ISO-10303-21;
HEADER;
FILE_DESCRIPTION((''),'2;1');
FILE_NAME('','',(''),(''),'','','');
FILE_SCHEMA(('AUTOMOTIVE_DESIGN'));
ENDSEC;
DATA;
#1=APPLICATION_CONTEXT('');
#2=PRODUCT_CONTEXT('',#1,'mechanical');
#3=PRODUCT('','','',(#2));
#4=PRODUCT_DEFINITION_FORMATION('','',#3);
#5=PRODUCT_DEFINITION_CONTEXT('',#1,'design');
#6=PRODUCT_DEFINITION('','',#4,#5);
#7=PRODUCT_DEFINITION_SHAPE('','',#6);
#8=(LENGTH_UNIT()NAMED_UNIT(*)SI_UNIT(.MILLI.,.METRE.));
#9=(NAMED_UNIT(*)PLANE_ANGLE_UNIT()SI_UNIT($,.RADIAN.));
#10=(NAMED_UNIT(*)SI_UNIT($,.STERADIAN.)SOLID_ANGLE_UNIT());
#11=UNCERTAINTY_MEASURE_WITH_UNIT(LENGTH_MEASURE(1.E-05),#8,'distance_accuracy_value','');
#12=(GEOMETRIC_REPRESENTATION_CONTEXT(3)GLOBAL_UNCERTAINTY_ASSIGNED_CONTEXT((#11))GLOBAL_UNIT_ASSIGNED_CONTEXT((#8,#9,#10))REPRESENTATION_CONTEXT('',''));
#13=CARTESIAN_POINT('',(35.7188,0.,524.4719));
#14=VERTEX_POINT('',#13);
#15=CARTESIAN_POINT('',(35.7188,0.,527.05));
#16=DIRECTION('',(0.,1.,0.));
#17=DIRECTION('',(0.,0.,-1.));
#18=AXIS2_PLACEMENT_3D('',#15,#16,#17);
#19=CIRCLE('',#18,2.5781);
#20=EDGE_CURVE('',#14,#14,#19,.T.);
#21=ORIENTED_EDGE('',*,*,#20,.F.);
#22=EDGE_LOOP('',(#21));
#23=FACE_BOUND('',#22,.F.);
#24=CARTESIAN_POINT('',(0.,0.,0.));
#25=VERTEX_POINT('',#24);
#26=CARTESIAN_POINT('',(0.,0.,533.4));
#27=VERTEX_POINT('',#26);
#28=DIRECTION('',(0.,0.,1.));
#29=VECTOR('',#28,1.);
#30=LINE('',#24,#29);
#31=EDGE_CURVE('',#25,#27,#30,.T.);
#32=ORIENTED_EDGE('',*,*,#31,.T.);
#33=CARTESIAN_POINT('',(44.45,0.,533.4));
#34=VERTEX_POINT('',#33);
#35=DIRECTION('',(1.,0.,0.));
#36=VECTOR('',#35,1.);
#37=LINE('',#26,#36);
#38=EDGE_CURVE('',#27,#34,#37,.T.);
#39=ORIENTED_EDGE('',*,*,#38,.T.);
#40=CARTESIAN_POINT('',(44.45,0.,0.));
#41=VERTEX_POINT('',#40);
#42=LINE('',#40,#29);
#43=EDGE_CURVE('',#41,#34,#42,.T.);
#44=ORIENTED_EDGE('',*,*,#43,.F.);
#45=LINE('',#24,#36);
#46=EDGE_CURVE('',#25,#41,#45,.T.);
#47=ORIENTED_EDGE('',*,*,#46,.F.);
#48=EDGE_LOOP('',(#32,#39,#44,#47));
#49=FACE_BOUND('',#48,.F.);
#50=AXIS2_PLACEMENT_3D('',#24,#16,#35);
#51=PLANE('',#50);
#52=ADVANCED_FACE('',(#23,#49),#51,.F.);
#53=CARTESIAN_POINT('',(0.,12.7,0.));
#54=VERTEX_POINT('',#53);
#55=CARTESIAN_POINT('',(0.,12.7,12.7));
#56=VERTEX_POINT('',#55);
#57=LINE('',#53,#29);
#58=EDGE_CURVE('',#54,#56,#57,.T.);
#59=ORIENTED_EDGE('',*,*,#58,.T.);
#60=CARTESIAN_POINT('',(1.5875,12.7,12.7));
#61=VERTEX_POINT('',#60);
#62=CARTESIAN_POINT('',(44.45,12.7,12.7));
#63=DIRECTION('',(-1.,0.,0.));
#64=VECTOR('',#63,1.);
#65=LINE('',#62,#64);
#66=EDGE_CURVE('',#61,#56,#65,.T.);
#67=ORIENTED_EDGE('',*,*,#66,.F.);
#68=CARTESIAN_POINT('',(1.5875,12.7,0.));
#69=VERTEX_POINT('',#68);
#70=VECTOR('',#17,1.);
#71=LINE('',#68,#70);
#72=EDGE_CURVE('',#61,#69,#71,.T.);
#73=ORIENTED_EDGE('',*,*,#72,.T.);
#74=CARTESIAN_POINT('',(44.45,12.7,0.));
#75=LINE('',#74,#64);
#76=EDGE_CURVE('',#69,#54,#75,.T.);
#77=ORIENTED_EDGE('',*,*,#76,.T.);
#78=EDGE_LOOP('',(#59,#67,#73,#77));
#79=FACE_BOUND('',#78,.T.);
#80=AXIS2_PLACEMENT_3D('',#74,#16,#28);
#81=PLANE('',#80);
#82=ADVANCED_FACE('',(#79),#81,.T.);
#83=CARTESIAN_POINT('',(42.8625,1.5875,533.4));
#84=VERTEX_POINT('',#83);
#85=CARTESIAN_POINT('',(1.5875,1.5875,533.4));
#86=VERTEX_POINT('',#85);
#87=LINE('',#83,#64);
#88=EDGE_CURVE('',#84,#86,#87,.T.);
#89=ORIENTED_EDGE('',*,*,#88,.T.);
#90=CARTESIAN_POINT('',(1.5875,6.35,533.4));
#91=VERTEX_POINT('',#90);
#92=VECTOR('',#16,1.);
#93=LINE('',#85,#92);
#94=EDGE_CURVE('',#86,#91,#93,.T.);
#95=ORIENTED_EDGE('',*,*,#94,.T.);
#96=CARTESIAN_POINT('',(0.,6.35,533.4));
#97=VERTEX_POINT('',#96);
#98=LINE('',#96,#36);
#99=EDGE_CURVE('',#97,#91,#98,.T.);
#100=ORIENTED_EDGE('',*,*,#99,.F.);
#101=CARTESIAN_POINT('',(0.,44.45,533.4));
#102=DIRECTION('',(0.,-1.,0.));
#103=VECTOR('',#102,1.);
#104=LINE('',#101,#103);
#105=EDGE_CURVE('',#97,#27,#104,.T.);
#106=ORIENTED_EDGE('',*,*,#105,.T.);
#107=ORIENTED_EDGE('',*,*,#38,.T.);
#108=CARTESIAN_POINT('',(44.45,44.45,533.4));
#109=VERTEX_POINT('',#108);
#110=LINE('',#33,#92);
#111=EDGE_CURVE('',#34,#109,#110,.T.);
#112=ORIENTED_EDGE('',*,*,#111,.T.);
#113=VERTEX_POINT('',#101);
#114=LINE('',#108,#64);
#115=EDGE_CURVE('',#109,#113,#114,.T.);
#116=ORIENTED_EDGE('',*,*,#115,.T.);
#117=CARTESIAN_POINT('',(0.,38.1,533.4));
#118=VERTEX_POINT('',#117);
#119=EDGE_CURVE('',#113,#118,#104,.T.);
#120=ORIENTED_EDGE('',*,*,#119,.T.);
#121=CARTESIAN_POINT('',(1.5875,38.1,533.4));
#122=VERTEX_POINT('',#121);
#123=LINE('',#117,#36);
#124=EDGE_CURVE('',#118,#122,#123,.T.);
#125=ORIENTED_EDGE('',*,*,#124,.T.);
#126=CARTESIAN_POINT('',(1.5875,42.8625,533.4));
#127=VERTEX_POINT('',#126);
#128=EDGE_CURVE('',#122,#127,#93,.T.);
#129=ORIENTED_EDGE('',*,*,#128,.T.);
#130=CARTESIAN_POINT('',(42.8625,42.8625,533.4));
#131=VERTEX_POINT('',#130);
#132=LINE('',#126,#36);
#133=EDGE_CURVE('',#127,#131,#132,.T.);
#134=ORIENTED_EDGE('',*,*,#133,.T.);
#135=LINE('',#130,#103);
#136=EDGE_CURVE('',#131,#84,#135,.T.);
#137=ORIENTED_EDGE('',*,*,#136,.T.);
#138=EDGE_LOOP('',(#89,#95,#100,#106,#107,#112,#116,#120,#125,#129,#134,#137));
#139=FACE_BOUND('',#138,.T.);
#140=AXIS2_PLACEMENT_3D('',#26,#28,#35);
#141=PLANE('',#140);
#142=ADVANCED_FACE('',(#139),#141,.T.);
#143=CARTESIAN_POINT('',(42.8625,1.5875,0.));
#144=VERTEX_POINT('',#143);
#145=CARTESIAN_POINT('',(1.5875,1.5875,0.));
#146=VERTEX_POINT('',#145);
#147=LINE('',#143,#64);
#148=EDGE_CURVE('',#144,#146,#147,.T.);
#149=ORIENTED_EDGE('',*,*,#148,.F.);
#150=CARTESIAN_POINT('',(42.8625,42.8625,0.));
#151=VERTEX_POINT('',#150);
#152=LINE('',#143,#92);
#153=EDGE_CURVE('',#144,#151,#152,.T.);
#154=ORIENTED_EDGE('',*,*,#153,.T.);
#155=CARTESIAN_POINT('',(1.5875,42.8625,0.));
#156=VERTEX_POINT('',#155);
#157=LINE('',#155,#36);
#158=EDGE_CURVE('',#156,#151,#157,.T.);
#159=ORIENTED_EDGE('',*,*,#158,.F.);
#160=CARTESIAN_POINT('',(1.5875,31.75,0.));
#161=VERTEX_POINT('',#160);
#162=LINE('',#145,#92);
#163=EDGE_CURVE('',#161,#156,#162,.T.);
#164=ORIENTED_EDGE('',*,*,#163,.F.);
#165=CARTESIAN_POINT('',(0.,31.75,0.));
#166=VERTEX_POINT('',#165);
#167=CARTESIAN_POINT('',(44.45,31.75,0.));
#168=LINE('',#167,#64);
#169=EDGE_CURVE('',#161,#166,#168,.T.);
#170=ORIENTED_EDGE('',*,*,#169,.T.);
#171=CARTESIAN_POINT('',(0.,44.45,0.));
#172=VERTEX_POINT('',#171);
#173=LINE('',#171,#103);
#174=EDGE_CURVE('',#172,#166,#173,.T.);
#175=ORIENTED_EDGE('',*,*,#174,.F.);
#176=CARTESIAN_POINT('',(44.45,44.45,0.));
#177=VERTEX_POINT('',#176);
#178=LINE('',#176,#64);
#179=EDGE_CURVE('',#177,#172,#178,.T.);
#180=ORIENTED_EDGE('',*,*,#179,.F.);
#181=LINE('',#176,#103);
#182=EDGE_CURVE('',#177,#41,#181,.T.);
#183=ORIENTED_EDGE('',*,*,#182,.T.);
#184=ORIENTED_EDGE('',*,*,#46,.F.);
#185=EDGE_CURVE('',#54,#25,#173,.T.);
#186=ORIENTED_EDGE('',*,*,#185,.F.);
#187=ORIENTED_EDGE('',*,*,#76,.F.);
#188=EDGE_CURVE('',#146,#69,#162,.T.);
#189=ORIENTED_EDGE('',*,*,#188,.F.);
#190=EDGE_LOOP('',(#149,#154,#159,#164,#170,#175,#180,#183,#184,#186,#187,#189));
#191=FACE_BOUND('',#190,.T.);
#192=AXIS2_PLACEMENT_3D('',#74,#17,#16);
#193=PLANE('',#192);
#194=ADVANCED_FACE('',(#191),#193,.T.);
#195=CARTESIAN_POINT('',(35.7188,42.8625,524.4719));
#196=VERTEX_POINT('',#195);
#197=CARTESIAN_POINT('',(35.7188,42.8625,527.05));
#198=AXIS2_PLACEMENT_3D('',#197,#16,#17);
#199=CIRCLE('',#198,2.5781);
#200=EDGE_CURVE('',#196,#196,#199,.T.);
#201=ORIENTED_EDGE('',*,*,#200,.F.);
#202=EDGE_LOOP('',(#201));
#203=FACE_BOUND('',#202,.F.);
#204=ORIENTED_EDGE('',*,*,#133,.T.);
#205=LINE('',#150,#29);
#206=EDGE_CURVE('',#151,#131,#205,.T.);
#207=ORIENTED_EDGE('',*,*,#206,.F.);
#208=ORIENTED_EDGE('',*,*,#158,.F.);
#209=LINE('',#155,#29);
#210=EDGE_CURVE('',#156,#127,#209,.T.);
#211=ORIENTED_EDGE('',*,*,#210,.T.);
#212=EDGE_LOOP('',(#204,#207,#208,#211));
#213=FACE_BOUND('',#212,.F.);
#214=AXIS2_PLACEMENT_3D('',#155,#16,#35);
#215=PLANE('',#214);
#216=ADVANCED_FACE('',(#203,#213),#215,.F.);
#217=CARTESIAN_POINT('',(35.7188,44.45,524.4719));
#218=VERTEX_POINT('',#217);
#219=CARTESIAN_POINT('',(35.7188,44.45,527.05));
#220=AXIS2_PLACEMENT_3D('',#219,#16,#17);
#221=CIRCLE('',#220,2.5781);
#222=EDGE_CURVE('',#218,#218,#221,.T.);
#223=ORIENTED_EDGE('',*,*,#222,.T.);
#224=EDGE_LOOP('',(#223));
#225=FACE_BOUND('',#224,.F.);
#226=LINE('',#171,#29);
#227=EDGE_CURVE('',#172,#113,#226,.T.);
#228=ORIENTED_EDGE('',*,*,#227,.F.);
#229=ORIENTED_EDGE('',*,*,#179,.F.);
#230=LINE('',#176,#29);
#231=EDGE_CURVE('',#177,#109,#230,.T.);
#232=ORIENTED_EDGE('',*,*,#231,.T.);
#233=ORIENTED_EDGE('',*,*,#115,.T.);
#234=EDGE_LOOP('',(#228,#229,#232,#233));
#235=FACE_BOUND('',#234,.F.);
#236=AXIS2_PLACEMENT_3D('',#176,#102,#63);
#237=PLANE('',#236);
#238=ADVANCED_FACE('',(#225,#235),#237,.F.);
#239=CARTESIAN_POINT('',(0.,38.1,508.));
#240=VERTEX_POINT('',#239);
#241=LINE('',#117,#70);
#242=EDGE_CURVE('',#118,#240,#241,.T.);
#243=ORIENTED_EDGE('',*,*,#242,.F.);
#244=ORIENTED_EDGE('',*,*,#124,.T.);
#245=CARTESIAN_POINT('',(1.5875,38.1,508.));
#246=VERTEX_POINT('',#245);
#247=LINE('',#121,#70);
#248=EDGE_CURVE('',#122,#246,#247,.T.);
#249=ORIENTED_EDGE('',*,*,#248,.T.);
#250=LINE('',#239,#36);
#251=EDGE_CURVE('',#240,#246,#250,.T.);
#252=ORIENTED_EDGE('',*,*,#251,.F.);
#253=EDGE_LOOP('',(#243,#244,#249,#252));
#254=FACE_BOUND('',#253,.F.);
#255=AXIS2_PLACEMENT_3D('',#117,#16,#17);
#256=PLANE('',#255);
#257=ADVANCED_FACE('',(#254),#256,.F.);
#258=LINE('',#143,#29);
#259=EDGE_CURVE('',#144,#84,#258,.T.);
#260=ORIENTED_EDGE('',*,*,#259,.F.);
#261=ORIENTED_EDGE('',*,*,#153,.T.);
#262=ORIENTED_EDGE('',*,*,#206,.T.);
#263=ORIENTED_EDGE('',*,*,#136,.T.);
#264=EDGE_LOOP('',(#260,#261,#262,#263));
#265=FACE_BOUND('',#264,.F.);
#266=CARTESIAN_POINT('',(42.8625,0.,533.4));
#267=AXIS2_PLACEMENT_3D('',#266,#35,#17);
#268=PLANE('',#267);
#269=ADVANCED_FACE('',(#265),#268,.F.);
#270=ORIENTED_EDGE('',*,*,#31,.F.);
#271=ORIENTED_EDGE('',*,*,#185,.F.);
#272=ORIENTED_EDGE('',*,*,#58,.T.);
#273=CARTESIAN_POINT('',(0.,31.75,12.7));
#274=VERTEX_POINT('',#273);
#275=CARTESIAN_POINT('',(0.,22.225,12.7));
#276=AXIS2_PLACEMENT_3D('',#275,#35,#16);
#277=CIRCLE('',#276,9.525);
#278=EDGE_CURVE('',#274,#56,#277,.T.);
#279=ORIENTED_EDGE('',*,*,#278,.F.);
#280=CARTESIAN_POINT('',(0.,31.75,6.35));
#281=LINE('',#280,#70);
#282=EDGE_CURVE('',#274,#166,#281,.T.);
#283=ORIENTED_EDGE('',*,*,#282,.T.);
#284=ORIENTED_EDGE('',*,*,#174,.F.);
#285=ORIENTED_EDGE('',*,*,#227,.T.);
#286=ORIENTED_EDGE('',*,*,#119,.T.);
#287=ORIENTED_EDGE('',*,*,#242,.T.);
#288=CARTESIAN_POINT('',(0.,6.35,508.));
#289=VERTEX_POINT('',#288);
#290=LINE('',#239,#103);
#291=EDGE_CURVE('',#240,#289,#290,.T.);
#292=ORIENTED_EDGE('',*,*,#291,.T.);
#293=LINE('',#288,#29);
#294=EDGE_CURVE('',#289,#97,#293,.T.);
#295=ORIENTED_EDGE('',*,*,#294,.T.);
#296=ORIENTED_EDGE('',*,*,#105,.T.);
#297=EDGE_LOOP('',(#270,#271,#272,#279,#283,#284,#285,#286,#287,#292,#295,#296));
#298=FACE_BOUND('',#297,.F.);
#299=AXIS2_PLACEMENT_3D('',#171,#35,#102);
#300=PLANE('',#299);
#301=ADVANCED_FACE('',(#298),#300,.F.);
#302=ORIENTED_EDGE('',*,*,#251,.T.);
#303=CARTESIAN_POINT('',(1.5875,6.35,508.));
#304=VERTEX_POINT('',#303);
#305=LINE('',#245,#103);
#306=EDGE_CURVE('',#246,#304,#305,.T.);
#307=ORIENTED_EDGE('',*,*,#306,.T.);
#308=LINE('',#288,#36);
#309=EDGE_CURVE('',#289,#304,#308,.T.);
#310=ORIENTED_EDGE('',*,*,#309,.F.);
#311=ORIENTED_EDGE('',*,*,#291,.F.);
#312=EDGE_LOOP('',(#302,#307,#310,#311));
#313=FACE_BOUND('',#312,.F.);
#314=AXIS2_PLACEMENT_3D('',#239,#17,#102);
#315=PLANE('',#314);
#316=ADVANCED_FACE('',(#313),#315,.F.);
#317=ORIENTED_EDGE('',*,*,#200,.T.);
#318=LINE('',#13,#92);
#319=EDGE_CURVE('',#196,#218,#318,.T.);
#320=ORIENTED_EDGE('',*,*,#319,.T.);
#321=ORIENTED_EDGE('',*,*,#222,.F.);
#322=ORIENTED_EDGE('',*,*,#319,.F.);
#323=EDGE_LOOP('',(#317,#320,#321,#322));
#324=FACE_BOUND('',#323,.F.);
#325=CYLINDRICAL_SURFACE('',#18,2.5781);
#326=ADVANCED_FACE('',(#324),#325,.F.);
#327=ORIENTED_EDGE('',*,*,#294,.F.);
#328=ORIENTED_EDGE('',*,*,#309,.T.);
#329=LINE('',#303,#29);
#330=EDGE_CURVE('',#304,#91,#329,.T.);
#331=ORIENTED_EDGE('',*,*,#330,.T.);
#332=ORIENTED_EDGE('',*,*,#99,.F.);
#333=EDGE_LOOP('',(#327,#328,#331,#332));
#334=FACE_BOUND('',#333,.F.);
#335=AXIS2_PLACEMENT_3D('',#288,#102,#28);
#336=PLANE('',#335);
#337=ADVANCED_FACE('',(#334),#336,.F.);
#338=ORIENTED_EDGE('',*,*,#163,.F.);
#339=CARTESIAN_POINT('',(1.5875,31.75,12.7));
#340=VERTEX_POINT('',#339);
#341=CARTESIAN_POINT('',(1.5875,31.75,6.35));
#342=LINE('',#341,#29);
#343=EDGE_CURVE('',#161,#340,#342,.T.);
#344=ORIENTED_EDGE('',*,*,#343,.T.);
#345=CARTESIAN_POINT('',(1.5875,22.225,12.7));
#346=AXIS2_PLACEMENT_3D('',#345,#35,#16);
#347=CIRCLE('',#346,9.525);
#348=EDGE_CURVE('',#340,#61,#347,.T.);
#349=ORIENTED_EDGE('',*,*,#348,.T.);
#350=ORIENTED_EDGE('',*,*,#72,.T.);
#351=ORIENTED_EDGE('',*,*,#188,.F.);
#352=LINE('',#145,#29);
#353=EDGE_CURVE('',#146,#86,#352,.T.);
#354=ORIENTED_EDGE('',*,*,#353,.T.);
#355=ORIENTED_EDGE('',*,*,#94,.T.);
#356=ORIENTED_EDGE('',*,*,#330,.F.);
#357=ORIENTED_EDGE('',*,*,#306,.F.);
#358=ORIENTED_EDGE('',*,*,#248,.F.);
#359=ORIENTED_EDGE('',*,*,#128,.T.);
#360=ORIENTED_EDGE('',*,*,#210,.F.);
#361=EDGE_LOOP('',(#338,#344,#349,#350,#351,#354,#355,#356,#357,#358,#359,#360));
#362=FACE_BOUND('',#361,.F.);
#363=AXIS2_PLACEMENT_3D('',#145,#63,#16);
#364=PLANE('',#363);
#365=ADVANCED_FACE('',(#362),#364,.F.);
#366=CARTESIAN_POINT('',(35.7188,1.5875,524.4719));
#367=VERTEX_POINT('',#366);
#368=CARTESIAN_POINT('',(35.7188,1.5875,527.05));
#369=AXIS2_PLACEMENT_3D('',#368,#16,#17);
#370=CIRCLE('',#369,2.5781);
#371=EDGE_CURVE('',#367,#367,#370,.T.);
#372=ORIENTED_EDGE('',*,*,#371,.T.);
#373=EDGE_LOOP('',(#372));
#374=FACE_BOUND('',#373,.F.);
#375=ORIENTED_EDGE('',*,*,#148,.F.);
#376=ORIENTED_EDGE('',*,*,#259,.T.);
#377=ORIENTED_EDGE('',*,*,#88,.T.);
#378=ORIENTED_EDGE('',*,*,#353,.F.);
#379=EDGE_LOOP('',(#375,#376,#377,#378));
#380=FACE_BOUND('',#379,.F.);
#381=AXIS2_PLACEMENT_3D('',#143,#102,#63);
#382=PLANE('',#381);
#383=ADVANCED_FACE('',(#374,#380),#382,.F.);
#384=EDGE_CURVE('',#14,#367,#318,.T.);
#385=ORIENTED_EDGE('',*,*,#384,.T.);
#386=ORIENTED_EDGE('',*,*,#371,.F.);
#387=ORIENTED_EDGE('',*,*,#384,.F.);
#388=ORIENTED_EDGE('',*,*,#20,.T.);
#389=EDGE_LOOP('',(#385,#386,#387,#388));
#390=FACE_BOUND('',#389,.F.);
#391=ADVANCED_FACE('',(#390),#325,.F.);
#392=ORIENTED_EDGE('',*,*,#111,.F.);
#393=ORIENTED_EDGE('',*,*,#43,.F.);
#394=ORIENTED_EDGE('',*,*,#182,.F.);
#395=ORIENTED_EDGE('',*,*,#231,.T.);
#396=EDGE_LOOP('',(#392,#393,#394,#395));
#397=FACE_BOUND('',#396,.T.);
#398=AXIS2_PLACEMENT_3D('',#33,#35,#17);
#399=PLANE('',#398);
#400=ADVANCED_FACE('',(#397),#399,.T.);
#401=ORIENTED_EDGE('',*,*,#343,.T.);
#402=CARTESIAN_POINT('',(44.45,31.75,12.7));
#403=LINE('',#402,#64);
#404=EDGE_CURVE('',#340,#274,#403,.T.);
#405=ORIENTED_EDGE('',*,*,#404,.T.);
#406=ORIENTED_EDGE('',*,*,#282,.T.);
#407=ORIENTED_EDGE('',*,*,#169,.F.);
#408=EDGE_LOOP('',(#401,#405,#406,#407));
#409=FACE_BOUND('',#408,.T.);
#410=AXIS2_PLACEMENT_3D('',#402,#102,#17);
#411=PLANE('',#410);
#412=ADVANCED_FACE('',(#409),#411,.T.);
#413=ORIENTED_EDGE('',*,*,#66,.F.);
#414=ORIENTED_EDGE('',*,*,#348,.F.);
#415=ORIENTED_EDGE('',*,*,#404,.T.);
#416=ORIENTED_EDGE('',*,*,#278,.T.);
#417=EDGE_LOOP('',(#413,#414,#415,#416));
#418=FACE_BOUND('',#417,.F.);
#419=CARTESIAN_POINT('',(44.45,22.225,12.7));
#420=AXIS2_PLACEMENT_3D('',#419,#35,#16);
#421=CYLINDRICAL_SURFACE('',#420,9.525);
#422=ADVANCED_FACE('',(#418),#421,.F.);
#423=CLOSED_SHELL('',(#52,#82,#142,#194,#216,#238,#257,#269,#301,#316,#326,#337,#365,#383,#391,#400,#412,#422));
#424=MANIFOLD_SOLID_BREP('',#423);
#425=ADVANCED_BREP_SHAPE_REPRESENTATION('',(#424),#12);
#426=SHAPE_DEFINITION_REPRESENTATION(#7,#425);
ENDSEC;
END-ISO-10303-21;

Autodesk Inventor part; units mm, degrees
ref_plane "YZ Plane" through (0, 0, 0) normal (1, 0, 0) x (0, 1, 0)
ref_plane "XZ Plane" through (0, 0, 0) normal (0, 1, 0) x (-1, 0, 0)
ref_plane "XY Plane" through (0, 0, 0) normal (0, 0, 1) x (1, 0, 0)
sketch "Sketch1" plane through (0, 0, 0) normal (0, 0, 1) x (1, 0, 0)
  line L0 (0, 0) -> (44.45, 0)
  line L1 (44.45, 0) -> (44.45, 44.45)
  line L2 (44.45, 44.45) -> (0, 44.45)
  line L3 (0, 44.45) -> (0, 0)
  line L4 (1.5875, 42.8625) -> (42.8625, 42.8625)
  line L5 (42.8625, 42.8625) -> (42.8625, 1.5875)
  line L6 (42.8625, 1.5875) -> (1.5875, 1.5875)
  line L7 (1.5875, 1.5875) -> (1.5875, 42.8625)
  dimension "d0" = 44.45
  dimension "d1" = 44.45
  dimension "d2" = 1.5875
extrude "Extrusion1" add sketch "Sketch1" along normal blind 533.4
sketch "Sketch2" plane through (44.45, 0, 0) normal (1, 0, 0) x (0, 0, -1)
  line L0 (0, 22.225) -> (-12.7, 22.225) construction
  line L1 (0, 12.7) -> (-12.7, 12.7)
  line L2 (-12.7, 31.75) -> (0, 31.75)
  arc A0 (0, 12.7) -> (0, 31.75) centre (0, 22.225) ccw
  arc A1 (-12.7, 31.75) -> (-12.7, 12.7) centre (-12.7, 22.225) ccw
  line L3 (0, 0) -> (0, 44.45) projected
  line L4 (0, 44.45) -> (-533.4, 44.45) projected
  point P0 (-6.35, 22.225)
  dimension "d5" = 0
  dimension "d7" = 19.05
  dimension "d20" = 12.7
  dimension "d21" = 22.225
extrude "Extrusion2" cut sketch "Sketch2" against normal blind 127
sketch "Sketch6" plane through (44.45, 0, 533.4) normal (1, 0, 0) x (0, 0, -1)
  line L0 (533.4, 42.8625) -> (533.4, 31.75) projected
  arc A0 (520.7, 31.75) -> (520.7, 12.7) centre (520.7, 22.225) ccw projected
  line L1 (533.4, 31.75) -> (520.7, 31.75)
  arc A1 (520.7, 31.75) -> (520.7, 12.7) centre (520.7, 22.225) ccw
  line L2 (533.4, 12.7) -> (520.7, 12.7) projected
  line L3 (520.7, 12.7) -> (533.4, 12.7)
  line L4 (533.4, 12.7) -> (533.4, 31.75)
  point P0 (533.4, 0)
extrude "Extrusion3" add sketch "Sketch6" against normal blind 1.5875
sketch "Sketch7" plane through (0, 0, 533.4) normal (-1, 0, 0) x (0, 0, 1)
  line L0 (0, 0) -> (0, 44.45) projected
  line L1 (0, 38.1) -> (-25.4, 38.1)
  line L2 (-25.4, 38.1) -> (-25.4, 6.35)
  line L3 (-25.4, 6.35) -> (0, 6.35)
  line L4 (0, 6.35) -> (0, 38.1)
  line L5 (-39.9502, 6.35) -> (-39.9502, 38.1)
  line L6 (-533.4, 31.75) -> (-520.7, 31.75) projected
  arc A0 (-520.7, 12.7) -> (-520.7, 31.75) centre (-520.7, 22.225) ccw projected
  line L7 (-520.7, 12.7) -> (-533.4, 12.7) projected
  line L8 (-533.4, 12.7) -> (-533.4, 0) projected
  line L9 (-533.4, 0) -> (0, 0) projected
  line L10 (0, 44.45) -> (0, 0) projected
  line L11 (-533.4, 44.45) -> (0, 44.45) projected
  line L12 (-533.4, 44.45) -> (-533.4, 31.75) projected
  dimension "d24" = 25.4
  dimension "d25" = 31.75
  dimension "d26" = 6.35
  dimension "d27" = 6.35
extrude "Extrusion4" cut sketch "Sketch7" against normal blind 1.5875 contours L3 L2 L1 L0
sketch "Sketch8" plane through (0, 0, 0) normal (0, -1, 0) x (1, 0, 0)
  line L0 (44.45, 0) -> (44.45, 533.4) projected
  line L1 (0, 533.4) -> (44.45, 533.4) projected
  point P0 (0, 0)
  point P1 (35.7188, 527.05)
  dimension "d30" = 8.7312
  dimension "d31" = 6.35
hole "Hole2" at (35.7188, 0, 527.05) direction (0, 1, 0) diameter 5.1562 depth 76.2 tip angle 118
equation "\"d26\" = d27"
properties part number "TelescopeOuter" material "Aluminum 6061"
